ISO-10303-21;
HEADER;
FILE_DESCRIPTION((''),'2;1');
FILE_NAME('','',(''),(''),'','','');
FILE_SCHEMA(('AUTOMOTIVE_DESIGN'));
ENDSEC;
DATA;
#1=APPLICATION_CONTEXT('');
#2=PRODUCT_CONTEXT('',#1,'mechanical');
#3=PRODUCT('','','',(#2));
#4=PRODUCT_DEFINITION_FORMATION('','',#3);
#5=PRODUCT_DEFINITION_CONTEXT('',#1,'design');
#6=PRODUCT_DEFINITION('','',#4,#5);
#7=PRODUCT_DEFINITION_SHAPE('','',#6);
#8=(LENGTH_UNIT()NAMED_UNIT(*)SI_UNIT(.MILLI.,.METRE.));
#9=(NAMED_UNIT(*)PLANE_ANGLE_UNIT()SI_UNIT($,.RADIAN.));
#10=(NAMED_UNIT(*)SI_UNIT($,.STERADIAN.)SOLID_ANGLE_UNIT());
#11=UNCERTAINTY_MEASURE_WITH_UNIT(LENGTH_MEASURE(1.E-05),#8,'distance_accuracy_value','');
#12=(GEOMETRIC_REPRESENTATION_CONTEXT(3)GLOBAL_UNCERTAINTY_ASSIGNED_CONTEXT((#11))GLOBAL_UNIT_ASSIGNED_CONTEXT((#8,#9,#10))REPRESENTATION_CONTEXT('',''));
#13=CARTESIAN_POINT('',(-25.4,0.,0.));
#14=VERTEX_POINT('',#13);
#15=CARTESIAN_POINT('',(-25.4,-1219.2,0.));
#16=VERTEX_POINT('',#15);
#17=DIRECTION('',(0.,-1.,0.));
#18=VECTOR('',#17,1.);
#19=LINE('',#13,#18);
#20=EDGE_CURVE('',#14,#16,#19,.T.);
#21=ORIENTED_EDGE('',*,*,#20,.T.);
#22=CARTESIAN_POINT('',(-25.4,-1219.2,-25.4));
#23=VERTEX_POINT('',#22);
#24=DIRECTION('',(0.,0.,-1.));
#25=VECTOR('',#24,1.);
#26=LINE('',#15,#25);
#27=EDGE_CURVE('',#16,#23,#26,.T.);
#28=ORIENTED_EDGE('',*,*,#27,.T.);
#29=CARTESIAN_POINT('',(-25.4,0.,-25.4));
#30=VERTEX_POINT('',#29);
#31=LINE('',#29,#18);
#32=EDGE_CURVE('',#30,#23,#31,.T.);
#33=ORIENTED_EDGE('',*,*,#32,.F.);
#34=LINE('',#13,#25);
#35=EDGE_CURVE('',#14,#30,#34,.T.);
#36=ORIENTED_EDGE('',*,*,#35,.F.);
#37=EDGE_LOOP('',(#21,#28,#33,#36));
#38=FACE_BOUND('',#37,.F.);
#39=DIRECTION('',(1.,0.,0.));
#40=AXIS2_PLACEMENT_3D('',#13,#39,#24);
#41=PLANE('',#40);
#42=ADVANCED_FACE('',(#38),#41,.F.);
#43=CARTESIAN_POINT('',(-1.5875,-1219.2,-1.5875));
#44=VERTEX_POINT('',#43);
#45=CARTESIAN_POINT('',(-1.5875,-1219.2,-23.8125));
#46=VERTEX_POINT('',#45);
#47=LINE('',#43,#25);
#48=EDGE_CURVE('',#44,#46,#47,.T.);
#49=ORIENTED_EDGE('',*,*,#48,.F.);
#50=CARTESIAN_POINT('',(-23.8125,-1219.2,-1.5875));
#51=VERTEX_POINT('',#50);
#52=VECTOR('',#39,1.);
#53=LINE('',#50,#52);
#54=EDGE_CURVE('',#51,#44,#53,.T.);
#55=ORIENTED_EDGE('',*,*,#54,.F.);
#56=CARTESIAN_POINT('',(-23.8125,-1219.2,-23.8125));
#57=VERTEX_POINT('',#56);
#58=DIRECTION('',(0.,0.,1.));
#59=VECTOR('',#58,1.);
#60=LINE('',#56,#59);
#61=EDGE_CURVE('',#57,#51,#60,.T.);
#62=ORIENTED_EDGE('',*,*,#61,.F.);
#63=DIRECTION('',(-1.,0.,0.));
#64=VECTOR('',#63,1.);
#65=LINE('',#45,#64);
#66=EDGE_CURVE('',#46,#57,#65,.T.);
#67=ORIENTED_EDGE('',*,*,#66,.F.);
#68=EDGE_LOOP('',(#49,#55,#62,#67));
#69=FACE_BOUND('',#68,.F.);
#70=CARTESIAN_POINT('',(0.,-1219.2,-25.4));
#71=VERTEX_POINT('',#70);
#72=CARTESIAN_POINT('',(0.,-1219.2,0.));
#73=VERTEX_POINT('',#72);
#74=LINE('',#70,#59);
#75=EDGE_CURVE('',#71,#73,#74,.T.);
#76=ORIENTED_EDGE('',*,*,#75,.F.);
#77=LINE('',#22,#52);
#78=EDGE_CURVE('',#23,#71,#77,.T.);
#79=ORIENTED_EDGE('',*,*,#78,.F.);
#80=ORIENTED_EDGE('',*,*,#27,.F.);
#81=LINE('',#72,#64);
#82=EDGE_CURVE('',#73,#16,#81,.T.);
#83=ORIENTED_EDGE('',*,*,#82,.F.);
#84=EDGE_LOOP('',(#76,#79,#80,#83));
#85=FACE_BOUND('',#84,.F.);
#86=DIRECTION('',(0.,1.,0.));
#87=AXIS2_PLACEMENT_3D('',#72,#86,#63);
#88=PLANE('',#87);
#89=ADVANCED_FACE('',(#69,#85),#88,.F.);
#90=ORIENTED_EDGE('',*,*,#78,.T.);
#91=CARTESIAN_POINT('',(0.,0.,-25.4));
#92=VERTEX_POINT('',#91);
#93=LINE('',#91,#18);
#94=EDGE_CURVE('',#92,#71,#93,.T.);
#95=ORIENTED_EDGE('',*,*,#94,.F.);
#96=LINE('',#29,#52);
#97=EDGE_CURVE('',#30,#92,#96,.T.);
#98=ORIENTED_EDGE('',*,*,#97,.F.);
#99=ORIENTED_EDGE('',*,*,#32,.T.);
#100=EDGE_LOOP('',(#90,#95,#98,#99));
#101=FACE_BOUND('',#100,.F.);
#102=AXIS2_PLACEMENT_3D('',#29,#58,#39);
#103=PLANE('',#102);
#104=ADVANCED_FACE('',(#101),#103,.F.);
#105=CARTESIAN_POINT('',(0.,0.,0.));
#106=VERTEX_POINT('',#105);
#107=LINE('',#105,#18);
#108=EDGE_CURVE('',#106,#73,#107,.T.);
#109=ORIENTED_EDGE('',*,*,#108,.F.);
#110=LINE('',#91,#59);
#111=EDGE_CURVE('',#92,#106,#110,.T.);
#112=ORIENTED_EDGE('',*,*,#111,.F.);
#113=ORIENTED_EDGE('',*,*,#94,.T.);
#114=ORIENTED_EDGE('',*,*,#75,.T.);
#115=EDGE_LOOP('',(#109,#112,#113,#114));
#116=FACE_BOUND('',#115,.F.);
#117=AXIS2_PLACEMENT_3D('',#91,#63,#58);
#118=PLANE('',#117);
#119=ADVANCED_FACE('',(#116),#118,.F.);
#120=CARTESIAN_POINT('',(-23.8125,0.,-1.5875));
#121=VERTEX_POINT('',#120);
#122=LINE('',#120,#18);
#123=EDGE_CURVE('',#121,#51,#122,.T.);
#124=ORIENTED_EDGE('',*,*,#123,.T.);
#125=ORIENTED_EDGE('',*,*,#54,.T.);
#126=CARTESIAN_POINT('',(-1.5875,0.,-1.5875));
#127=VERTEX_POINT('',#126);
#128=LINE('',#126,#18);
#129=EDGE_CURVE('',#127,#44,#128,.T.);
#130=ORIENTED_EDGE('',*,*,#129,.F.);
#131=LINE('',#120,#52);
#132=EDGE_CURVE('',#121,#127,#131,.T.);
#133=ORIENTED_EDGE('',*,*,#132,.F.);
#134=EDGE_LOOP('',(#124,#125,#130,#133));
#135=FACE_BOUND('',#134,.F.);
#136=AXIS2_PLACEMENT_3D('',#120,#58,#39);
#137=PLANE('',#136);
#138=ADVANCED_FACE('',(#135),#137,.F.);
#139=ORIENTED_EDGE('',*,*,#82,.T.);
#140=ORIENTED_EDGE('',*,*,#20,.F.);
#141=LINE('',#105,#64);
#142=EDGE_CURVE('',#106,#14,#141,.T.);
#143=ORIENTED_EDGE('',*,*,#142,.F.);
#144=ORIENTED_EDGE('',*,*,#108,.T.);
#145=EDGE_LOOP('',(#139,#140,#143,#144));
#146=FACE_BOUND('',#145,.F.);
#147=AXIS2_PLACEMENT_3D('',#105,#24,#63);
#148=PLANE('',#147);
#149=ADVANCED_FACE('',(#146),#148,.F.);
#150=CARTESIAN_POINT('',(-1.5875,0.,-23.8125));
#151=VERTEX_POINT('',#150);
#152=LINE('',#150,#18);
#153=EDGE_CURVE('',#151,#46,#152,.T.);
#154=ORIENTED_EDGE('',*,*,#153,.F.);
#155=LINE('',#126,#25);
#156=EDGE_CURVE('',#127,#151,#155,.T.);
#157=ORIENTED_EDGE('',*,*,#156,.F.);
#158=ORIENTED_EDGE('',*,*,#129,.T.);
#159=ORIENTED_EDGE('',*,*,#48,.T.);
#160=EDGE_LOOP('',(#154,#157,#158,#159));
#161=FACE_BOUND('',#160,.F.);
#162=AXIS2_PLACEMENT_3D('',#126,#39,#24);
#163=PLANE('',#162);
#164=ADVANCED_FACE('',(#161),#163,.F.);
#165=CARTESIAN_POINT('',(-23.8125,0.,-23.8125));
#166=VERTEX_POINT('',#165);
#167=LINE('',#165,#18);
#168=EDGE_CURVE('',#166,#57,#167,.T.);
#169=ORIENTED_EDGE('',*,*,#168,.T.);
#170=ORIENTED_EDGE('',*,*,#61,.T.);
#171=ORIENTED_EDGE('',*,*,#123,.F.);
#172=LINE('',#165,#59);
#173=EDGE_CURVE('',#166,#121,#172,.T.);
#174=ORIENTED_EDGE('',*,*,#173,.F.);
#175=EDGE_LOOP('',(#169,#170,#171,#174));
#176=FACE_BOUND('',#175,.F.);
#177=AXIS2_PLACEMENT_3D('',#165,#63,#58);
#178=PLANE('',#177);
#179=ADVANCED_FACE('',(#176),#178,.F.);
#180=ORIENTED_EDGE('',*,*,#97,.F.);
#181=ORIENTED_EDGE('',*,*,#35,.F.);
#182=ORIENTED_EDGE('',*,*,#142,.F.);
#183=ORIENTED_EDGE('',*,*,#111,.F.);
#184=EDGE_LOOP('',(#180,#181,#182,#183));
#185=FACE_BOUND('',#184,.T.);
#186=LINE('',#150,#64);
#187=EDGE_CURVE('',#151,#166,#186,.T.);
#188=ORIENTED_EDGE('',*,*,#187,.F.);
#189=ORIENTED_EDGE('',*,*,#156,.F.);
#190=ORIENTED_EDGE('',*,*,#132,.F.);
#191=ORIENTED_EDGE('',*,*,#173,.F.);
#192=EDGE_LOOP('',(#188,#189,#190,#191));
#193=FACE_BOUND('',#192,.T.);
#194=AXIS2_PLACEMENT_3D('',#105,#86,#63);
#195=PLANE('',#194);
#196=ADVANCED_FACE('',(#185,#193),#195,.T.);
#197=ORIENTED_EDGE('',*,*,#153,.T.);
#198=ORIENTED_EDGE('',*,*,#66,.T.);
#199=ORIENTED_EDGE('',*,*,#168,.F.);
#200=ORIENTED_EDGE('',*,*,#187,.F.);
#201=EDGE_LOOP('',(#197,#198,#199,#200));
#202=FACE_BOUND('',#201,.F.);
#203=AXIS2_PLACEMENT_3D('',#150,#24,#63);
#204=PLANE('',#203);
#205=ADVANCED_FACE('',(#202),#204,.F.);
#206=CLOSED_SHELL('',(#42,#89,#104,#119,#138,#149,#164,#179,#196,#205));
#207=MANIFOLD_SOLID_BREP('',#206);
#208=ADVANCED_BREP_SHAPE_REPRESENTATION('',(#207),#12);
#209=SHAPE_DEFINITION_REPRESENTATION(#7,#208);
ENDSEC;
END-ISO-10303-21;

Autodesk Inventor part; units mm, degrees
ref_plane "YZ Plane" through (0, 0, 0) normal (1, 0, 0) x (0, 1, 0)
ref_plane "XZ Plane" through (0, 0, 0) normal (0, 1, 0) x (-1, 0, 0)
ref_plane "XY Plane" through (0, 0, 0) normal (0, 0, 1) x (1, 0, 0)
sketch "Sketch1" plane through (0, 0, 0) normal (0, 1, 0) x (-1, 0, 0)
  line L0 (0, 0) -> (25.4, 0)
  line L1 (25.4, 0) -> (25.4, -25.4)
  line L2 (25.4, -25.4) -> (0, -25.4)
  line L3 (0, -25.4) -> (0, 0)
  line L4 (23.8125, -23.8125) -> (23.8125, -1.5875)
  line L5 (23.8125, -1.5875) -> (1.5875, -1.5875)
  line L6 (1.5875, -1.5875) -> (1.5875, -23.8125)
  line L7 (1.5875, -23.8125) -> (23.8125, -23.8125)
  dimension "d0" = 25.4
  dimension "d1" = 25.4
  dimension "d2" = 1.5875
extrude "Extrusion1" add sketch "Sketch1" against normal blind 1219.2
properties part number "Square Tube" material "Aluminum 6061"
